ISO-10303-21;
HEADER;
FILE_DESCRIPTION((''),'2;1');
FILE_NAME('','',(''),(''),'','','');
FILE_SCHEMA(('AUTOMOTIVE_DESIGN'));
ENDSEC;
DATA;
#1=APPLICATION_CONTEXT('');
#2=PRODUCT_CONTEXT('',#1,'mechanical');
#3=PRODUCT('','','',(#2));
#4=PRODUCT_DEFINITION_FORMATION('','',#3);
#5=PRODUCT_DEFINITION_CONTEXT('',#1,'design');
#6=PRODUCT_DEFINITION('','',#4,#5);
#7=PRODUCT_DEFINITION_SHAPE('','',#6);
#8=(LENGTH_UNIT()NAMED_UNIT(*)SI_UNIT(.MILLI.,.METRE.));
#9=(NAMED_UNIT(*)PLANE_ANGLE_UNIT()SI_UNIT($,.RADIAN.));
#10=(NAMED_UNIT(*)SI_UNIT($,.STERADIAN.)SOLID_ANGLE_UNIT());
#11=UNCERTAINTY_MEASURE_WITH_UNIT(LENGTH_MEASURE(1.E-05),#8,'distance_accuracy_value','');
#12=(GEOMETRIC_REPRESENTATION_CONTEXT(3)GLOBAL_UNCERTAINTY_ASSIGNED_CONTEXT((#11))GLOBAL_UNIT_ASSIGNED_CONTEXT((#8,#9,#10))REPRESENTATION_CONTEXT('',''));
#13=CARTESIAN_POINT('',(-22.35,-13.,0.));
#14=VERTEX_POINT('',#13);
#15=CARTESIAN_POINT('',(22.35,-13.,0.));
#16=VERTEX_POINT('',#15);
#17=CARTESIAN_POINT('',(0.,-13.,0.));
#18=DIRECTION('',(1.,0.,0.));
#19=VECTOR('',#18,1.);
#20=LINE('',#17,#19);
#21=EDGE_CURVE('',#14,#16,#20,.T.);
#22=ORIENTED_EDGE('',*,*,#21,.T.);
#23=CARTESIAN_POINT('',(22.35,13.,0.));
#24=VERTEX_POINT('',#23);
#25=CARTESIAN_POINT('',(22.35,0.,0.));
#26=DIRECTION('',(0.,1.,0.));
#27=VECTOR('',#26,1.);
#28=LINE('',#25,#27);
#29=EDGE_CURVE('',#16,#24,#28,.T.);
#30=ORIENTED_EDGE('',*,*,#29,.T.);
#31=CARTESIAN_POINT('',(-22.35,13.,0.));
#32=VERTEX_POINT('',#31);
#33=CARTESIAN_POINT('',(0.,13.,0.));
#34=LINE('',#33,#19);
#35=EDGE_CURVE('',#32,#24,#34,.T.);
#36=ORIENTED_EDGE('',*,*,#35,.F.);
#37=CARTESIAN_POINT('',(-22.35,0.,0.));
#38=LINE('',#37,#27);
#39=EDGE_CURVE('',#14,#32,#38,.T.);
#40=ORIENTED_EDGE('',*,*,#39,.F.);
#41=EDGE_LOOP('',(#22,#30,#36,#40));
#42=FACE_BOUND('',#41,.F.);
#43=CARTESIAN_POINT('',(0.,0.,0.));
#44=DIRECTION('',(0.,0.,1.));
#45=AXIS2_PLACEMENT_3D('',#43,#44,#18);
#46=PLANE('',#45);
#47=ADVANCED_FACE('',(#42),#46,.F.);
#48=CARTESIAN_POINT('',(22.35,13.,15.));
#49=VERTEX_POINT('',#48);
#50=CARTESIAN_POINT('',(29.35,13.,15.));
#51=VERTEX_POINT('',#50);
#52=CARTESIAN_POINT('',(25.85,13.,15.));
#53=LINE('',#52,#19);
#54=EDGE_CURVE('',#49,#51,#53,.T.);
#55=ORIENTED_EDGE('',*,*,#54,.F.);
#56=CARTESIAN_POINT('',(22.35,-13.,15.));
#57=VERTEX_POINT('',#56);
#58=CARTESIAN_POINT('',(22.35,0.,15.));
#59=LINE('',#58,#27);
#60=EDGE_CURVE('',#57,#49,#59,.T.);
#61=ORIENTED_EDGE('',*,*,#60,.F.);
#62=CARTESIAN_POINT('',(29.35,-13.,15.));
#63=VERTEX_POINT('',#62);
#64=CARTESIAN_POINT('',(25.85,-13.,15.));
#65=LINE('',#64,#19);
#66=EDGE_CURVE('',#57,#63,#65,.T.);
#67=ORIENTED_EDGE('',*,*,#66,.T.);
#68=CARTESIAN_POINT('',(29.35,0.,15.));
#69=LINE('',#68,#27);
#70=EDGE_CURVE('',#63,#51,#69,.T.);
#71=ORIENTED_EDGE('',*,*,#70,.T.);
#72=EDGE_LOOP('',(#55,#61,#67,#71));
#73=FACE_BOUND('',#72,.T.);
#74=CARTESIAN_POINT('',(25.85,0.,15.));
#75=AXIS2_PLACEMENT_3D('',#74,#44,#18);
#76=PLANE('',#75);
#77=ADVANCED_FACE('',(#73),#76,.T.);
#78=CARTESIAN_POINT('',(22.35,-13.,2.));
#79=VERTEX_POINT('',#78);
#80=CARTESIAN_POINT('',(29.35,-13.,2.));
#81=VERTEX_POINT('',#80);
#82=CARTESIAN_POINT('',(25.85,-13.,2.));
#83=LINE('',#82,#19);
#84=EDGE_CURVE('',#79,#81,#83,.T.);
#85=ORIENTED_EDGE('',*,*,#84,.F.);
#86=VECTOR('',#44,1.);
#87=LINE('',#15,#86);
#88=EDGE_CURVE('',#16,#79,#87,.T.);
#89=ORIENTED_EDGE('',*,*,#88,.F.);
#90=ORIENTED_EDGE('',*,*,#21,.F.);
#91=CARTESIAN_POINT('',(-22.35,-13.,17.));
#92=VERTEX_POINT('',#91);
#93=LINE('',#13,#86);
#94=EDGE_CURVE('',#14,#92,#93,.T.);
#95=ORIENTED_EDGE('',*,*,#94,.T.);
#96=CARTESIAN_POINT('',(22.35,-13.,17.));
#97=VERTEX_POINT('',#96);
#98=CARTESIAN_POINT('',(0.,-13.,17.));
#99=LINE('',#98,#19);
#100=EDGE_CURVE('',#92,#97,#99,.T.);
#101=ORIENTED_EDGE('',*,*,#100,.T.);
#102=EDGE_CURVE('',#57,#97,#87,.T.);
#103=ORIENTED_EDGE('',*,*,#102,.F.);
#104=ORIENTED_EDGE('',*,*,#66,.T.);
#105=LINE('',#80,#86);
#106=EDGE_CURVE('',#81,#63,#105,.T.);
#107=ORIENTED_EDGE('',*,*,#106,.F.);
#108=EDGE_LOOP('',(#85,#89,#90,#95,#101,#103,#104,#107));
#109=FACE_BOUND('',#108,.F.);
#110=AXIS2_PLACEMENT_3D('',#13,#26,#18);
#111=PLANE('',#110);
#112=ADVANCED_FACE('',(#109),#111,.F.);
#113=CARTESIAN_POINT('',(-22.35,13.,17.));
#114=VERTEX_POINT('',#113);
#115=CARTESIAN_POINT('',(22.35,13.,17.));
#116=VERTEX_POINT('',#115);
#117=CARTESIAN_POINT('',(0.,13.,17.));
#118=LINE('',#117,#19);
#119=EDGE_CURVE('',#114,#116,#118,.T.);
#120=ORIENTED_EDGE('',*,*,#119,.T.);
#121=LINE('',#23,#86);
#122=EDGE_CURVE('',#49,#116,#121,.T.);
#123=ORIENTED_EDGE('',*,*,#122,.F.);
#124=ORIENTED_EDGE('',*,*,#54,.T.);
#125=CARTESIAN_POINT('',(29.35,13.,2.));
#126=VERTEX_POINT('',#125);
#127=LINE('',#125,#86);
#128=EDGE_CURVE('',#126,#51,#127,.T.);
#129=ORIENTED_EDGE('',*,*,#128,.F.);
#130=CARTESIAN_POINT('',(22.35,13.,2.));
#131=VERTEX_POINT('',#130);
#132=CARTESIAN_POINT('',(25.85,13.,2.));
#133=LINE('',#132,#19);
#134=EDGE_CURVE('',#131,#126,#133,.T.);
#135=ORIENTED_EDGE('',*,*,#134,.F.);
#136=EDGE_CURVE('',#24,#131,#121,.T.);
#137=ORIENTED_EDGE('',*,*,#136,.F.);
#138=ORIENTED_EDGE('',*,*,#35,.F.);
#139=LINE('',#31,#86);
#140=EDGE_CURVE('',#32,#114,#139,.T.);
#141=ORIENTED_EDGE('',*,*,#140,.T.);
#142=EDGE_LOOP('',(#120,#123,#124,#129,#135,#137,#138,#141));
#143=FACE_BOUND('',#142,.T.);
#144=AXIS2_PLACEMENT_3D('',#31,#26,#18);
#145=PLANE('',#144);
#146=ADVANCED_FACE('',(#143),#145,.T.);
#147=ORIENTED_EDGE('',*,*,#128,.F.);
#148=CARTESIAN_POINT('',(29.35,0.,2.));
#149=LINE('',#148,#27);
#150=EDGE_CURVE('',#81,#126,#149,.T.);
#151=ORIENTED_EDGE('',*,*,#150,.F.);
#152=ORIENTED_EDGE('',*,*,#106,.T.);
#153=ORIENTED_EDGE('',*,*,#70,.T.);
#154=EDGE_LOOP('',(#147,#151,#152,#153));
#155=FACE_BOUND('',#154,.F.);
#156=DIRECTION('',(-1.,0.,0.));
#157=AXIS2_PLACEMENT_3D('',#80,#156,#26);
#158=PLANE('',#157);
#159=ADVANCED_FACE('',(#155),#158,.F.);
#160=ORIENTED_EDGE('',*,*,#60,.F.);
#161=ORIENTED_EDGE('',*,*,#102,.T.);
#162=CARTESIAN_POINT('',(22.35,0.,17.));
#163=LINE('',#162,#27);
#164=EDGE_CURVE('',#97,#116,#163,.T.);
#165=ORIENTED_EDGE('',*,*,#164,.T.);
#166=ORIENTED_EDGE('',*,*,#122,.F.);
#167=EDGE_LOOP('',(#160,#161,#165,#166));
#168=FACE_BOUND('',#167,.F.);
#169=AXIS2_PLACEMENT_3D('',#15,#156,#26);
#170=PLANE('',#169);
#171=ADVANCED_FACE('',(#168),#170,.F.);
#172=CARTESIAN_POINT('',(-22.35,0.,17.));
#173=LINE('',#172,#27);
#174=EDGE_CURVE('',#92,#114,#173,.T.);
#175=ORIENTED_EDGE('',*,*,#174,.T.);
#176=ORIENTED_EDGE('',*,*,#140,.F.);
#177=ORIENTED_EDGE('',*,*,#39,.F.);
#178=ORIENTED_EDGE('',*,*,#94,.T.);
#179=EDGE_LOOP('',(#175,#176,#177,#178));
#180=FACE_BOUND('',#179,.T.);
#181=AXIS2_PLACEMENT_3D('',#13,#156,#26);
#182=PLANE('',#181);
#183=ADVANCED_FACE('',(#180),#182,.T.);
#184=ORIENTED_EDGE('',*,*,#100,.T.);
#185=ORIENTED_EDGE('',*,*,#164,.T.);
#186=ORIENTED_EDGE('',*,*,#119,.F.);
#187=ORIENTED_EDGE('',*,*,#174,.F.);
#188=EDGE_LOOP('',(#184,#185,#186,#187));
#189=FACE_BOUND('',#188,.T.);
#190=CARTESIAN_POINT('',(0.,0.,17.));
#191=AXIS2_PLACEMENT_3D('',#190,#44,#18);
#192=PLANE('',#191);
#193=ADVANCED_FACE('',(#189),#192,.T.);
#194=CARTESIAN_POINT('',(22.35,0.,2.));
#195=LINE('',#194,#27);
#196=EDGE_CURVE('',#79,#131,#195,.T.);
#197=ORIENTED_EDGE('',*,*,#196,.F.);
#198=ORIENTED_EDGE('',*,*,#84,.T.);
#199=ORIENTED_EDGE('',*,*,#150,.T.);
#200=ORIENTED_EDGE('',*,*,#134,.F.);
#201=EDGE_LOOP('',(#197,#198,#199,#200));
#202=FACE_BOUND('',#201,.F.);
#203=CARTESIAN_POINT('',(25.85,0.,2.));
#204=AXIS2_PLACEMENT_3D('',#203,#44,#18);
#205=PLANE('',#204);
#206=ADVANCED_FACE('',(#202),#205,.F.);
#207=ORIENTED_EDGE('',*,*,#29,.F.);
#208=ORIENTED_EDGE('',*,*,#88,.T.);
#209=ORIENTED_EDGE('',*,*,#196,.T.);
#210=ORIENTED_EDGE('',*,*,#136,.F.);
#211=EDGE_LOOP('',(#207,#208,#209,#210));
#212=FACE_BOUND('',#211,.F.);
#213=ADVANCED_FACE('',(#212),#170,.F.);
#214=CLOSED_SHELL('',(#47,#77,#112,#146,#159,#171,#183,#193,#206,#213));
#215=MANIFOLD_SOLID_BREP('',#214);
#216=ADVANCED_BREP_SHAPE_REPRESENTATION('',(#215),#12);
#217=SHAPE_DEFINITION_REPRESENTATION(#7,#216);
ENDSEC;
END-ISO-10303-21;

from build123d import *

# Parameters (mm, degrees)
F0_W     = 44.7
F0_H     = 26
F1_DEPTH = 17
F2_START = 2
F0_W_2   = 7
F2_DEPTH = 13


with BuildPart() as f1:
    # F0 (on Top) → F1 (new body)
    with BuildSketch(Plane.XY):
        Rectangle(F0_W, F0_H)
    extrude(amount=F1_DEPTH)

    # F0 (on Top) → F2 (join)
    with BuildSketch(Plane.XY.offset(F2_START)):
        with Locations((25.85, 0)):
            Rectangle(F0_W_2, F0_H)
    extrude(amount=F2_DEPTH)


solid = f1.part
